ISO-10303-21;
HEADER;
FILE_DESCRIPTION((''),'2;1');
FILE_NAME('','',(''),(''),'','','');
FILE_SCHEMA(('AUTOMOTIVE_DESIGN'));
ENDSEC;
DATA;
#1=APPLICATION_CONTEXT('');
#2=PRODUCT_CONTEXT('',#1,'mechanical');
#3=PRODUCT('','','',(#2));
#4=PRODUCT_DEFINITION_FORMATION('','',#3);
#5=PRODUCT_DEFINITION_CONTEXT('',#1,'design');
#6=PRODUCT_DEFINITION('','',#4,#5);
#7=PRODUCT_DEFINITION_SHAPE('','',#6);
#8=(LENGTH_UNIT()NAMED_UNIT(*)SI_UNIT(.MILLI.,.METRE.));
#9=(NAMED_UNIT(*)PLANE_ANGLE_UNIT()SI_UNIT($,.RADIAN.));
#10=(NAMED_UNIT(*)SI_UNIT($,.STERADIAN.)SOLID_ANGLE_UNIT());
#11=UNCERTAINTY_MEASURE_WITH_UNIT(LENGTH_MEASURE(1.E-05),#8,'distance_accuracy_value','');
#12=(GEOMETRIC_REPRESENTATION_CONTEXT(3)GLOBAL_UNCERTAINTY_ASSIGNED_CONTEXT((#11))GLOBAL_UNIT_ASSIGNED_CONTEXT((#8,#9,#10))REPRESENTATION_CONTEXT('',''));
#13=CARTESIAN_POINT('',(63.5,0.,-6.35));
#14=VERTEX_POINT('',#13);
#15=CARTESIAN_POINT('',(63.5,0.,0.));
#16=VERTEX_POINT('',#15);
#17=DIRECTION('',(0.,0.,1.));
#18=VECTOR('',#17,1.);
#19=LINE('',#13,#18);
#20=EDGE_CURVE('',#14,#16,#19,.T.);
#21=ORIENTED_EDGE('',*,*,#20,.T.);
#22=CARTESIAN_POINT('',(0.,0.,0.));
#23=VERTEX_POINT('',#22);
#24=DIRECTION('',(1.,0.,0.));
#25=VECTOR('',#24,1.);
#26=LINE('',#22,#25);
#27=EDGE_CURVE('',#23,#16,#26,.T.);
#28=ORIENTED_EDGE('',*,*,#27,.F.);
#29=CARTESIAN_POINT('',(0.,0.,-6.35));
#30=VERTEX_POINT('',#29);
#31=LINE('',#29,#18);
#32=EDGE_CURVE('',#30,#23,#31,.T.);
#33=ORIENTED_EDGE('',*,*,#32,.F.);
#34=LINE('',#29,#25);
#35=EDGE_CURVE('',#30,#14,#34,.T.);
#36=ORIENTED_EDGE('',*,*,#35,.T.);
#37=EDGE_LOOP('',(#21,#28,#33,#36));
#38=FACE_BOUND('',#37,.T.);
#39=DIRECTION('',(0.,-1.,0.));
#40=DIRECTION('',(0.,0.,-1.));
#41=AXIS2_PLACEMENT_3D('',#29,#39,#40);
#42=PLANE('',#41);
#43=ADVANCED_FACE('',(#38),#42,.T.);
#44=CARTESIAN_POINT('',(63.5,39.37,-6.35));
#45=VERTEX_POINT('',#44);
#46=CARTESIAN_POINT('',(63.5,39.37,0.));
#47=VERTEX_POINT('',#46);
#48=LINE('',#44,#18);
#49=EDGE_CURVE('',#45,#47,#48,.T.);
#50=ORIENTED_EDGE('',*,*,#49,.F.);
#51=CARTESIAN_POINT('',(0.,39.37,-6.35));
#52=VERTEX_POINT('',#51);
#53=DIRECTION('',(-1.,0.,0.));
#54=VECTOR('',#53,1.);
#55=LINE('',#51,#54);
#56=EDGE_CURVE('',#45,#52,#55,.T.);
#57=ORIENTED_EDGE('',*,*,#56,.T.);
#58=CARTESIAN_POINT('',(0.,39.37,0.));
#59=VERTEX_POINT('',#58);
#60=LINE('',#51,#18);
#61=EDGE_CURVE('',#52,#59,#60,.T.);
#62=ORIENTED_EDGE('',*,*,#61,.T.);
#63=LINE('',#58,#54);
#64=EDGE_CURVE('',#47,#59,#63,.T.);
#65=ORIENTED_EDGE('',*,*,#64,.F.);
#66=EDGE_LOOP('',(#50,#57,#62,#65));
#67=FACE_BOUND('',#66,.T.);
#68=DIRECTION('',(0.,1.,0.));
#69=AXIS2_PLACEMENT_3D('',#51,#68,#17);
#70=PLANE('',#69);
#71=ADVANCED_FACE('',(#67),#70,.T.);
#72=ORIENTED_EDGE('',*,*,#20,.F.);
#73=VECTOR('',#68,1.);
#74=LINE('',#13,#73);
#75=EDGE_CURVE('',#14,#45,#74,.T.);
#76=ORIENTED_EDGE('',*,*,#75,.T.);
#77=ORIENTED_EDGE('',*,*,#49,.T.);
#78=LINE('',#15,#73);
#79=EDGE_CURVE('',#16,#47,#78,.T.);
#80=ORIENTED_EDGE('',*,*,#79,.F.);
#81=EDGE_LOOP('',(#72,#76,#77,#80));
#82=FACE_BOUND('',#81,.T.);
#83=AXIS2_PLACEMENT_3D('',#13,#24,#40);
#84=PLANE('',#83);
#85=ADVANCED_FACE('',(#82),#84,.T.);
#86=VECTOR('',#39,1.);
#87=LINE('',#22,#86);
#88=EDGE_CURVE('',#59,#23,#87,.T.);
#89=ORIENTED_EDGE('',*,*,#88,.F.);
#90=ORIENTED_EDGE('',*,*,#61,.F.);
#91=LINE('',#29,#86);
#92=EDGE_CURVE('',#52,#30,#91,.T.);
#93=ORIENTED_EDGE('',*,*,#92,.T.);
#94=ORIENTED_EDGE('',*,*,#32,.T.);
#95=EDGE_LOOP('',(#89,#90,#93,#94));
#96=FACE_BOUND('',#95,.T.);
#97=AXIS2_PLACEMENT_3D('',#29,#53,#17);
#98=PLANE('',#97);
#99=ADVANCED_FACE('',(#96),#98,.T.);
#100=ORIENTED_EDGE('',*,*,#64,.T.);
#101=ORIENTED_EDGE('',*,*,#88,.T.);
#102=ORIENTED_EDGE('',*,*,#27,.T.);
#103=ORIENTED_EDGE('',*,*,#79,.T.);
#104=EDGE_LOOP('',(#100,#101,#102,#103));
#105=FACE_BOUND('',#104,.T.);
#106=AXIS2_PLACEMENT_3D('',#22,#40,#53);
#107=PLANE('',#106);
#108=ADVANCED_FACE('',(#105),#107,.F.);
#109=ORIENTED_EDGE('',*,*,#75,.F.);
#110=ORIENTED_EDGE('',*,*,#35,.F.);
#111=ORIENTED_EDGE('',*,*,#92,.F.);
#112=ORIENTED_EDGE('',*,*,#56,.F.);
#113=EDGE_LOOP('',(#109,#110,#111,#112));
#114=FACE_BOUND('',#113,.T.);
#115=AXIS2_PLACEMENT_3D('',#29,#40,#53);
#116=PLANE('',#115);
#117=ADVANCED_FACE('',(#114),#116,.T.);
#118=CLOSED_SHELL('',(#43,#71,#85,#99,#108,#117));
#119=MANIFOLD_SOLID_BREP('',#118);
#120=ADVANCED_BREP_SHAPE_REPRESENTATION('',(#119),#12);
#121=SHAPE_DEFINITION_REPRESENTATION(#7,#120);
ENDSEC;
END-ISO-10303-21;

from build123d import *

# Parameters (mm, degrees)
SKETCH1_W           = 63.5
SKETCH1_H           = 39.37
BOSS_EXTRUDE1_DEPTH = 6.35


with BuildPart() as part:
    # Sketch1 → Boss-Extrude1 (new body)
    with BuildSketch(Plane.XY):
        with Locations((31.75, 19.685)):
            Rectangle(SKETCH1_W, SKETCH1_H)
    extrude(amount=-BOSS_EXTRUDE1_DEPTH)


solid = part.part
